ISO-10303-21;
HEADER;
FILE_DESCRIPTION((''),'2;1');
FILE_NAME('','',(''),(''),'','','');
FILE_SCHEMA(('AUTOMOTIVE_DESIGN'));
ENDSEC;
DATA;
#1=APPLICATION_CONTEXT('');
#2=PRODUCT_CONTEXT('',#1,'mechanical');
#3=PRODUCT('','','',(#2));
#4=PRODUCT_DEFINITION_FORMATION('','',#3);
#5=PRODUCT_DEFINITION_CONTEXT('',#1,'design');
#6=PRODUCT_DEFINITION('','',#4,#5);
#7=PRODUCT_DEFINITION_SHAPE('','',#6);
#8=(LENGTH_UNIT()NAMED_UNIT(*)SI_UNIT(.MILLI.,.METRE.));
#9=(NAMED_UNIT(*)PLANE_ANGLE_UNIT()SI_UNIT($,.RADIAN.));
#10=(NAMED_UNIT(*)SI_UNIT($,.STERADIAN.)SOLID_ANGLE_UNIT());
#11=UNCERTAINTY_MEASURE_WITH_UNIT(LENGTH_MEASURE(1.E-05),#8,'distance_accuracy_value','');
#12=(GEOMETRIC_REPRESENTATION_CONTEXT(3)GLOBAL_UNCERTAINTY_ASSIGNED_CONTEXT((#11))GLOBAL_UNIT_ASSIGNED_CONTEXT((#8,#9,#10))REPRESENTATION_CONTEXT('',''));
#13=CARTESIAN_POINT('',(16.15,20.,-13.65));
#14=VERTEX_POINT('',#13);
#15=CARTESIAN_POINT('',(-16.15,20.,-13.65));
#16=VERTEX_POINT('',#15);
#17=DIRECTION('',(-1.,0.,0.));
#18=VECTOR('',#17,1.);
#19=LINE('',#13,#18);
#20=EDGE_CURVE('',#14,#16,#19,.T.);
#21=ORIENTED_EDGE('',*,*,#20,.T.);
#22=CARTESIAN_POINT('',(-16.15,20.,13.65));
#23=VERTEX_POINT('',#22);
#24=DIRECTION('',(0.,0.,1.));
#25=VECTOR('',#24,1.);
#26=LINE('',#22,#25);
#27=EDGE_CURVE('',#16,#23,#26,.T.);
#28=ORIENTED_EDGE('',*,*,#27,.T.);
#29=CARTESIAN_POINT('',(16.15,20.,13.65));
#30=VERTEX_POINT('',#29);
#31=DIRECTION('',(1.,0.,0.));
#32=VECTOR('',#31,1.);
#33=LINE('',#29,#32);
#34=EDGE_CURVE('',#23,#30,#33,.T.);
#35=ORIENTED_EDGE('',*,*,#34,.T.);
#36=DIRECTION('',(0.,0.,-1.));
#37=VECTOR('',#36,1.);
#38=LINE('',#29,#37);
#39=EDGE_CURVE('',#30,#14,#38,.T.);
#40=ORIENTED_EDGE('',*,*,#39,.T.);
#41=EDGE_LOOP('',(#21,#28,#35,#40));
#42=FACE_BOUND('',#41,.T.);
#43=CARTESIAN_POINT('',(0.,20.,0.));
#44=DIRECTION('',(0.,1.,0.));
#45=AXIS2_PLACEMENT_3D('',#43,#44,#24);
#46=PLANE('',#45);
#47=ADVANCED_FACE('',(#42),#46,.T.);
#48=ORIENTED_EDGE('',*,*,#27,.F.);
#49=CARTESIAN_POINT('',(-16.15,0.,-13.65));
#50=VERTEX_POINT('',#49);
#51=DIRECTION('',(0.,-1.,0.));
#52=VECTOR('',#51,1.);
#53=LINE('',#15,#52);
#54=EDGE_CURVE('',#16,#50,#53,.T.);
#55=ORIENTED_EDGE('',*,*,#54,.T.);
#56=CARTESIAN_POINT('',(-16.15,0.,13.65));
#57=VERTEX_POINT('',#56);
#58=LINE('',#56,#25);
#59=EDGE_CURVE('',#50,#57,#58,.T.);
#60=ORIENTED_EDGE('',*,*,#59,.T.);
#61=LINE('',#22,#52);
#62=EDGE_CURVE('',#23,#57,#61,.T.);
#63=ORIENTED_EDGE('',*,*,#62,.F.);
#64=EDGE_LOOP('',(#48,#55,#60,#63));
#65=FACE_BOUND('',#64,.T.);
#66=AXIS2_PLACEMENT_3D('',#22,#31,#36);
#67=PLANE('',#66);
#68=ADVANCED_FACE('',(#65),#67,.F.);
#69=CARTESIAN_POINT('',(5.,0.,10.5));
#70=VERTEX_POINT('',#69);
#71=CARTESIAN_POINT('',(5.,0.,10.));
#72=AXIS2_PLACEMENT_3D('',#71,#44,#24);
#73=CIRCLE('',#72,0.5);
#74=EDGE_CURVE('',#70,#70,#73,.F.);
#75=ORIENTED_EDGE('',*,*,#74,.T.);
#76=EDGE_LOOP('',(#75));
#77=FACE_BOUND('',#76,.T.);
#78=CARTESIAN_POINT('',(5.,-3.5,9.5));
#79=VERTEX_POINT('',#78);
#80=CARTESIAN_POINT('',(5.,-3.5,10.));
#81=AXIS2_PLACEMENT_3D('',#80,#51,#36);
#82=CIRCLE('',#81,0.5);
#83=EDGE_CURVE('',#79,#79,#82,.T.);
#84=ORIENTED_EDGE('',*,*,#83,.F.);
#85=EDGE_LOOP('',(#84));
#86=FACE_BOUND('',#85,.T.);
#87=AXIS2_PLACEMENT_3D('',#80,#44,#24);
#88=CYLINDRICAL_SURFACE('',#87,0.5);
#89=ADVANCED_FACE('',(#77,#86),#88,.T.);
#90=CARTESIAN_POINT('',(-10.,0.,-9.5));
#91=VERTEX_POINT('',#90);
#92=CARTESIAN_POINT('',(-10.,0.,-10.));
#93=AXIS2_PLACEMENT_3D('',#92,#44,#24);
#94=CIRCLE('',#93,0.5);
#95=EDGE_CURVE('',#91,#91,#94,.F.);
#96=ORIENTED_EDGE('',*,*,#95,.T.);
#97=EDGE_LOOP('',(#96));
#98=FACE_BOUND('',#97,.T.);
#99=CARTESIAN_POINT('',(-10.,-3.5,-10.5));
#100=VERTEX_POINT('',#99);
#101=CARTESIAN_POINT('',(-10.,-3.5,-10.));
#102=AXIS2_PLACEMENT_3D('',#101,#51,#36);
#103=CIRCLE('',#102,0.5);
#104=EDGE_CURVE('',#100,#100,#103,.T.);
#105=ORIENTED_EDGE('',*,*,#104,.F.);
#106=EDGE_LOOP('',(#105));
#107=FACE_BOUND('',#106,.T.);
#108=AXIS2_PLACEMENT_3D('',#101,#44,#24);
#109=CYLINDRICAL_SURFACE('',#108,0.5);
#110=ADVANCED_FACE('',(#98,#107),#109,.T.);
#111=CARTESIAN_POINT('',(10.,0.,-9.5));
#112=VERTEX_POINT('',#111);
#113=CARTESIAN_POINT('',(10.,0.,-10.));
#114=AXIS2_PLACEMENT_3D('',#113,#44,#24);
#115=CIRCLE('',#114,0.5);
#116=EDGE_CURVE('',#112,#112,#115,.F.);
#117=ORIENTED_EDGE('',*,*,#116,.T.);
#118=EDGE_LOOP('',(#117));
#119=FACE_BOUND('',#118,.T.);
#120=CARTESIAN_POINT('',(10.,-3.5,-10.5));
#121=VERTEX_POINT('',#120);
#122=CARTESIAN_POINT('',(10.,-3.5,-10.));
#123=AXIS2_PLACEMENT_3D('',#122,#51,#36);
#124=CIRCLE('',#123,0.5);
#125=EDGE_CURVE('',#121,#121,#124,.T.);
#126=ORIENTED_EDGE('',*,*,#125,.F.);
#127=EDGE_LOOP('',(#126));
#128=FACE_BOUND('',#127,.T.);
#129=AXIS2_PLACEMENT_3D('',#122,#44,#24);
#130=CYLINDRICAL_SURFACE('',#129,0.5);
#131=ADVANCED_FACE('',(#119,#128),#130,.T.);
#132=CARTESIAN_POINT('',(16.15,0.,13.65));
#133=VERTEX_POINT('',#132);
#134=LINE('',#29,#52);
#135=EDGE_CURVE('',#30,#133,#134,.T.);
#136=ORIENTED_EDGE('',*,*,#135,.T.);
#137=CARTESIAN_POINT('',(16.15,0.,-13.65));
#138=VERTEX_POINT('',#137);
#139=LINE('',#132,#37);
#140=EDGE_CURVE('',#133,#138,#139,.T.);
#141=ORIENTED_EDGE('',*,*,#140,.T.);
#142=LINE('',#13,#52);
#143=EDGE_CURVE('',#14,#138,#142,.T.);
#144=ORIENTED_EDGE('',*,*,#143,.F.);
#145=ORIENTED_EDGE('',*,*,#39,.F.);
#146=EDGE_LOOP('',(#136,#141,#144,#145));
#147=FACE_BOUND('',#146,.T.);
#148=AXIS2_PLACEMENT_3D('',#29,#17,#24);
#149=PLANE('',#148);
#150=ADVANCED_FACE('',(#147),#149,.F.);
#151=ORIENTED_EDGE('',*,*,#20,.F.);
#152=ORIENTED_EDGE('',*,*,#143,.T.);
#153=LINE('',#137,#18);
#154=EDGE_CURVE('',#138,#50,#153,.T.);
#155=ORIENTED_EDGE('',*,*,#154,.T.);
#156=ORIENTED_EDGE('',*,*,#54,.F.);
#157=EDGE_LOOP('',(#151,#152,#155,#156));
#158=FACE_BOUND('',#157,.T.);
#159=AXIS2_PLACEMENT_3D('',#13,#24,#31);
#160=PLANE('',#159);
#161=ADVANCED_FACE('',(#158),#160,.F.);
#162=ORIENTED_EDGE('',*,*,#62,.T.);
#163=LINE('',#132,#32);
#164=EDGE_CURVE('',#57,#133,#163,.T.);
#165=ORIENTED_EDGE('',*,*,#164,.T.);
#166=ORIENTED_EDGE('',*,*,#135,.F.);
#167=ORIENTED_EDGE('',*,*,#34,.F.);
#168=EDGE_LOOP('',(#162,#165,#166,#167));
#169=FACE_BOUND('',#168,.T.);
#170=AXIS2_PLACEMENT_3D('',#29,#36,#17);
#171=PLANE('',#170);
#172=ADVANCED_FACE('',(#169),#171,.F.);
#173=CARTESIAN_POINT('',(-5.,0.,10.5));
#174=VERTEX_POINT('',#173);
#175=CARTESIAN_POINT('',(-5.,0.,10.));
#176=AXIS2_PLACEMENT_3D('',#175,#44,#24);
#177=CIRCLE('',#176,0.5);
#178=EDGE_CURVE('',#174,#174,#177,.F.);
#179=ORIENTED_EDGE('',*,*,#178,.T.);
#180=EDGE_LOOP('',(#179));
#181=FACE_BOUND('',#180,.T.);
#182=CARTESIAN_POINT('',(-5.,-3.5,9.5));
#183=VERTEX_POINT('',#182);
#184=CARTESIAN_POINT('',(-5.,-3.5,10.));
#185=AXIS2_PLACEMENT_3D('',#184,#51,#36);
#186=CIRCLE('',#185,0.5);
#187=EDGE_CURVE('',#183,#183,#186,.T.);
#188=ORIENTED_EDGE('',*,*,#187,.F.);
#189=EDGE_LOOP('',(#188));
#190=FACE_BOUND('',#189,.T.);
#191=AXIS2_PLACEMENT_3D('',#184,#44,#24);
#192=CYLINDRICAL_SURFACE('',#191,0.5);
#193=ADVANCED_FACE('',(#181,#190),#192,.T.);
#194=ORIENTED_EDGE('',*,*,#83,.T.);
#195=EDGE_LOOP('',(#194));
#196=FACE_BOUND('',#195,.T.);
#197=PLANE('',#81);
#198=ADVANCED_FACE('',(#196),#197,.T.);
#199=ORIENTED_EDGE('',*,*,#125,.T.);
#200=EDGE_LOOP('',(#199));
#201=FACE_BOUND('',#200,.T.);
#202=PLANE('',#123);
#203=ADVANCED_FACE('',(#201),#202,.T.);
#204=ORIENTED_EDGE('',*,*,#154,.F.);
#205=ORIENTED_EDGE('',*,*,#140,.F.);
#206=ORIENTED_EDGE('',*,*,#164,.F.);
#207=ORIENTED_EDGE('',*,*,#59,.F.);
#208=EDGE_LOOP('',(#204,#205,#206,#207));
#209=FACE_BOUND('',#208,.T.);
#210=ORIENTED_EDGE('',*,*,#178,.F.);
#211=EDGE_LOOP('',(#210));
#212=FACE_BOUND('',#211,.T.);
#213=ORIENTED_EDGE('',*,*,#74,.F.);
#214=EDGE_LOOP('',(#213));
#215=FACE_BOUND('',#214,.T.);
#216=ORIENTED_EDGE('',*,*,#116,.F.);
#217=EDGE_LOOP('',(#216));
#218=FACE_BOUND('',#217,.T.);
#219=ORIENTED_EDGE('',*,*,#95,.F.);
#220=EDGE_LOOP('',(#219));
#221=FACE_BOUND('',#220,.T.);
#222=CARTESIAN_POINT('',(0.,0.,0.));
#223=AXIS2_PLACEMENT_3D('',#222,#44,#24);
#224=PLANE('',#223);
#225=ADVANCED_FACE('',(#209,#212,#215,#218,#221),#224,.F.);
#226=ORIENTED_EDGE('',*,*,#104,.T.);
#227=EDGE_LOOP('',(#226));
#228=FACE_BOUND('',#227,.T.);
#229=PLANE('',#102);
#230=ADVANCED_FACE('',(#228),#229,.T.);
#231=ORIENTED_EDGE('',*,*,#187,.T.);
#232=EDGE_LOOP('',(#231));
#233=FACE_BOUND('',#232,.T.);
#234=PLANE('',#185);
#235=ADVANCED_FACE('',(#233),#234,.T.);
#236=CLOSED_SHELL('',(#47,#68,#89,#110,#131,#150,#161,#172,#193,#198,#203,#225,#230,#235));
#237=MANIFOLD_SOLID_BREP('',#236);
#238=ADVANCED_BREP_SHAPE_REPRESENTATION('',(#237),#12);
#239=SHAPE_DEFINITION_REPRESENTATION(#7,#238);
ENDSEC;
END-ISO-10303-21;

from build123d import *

# Parameters (mm, degrees)
SKETCH1_W            = 32.3
SKETCH1_H            = 27.3
BASE_EXTRUSION_DEPTH = 20
SKETCH2_R            = 0.5
PINS_DEPTH           = 3.5


with BuildPart() as part:
    # Sketch1 → Base Extrusion (new body)
    with BuildSketch(Plane(origin=(0, 0, 0), x_dir=(1, 0, 0), z_dir=(0, 1, 0))):
        Rectangle(SKETCH1_W, SKETCH1_H)
    extrude(amount=BASE_EXTRUSION_DEPTH)

    # Sketch2 → Pins (add)
    with BuildSketch(Plane.XZ):
        with Locations(Location((-5, 10, 0), (0, 0, 90))):
            Circle(SKETCH2_R)
        with Locations(Location((5, 10, 0), (0, 0, 90))):
            Circle(SKETCH2_R)
        with Locations(Location((-10, -10, 0), (0, 0, 90))):
            Circle(SKETCH2_R)
        with Locations(Location((10, -10, 0), (0, 0, 90))):
            Circle(SKETCH2_R)
    extrude(amount=PINS_DEPTH)


solid = part.part
